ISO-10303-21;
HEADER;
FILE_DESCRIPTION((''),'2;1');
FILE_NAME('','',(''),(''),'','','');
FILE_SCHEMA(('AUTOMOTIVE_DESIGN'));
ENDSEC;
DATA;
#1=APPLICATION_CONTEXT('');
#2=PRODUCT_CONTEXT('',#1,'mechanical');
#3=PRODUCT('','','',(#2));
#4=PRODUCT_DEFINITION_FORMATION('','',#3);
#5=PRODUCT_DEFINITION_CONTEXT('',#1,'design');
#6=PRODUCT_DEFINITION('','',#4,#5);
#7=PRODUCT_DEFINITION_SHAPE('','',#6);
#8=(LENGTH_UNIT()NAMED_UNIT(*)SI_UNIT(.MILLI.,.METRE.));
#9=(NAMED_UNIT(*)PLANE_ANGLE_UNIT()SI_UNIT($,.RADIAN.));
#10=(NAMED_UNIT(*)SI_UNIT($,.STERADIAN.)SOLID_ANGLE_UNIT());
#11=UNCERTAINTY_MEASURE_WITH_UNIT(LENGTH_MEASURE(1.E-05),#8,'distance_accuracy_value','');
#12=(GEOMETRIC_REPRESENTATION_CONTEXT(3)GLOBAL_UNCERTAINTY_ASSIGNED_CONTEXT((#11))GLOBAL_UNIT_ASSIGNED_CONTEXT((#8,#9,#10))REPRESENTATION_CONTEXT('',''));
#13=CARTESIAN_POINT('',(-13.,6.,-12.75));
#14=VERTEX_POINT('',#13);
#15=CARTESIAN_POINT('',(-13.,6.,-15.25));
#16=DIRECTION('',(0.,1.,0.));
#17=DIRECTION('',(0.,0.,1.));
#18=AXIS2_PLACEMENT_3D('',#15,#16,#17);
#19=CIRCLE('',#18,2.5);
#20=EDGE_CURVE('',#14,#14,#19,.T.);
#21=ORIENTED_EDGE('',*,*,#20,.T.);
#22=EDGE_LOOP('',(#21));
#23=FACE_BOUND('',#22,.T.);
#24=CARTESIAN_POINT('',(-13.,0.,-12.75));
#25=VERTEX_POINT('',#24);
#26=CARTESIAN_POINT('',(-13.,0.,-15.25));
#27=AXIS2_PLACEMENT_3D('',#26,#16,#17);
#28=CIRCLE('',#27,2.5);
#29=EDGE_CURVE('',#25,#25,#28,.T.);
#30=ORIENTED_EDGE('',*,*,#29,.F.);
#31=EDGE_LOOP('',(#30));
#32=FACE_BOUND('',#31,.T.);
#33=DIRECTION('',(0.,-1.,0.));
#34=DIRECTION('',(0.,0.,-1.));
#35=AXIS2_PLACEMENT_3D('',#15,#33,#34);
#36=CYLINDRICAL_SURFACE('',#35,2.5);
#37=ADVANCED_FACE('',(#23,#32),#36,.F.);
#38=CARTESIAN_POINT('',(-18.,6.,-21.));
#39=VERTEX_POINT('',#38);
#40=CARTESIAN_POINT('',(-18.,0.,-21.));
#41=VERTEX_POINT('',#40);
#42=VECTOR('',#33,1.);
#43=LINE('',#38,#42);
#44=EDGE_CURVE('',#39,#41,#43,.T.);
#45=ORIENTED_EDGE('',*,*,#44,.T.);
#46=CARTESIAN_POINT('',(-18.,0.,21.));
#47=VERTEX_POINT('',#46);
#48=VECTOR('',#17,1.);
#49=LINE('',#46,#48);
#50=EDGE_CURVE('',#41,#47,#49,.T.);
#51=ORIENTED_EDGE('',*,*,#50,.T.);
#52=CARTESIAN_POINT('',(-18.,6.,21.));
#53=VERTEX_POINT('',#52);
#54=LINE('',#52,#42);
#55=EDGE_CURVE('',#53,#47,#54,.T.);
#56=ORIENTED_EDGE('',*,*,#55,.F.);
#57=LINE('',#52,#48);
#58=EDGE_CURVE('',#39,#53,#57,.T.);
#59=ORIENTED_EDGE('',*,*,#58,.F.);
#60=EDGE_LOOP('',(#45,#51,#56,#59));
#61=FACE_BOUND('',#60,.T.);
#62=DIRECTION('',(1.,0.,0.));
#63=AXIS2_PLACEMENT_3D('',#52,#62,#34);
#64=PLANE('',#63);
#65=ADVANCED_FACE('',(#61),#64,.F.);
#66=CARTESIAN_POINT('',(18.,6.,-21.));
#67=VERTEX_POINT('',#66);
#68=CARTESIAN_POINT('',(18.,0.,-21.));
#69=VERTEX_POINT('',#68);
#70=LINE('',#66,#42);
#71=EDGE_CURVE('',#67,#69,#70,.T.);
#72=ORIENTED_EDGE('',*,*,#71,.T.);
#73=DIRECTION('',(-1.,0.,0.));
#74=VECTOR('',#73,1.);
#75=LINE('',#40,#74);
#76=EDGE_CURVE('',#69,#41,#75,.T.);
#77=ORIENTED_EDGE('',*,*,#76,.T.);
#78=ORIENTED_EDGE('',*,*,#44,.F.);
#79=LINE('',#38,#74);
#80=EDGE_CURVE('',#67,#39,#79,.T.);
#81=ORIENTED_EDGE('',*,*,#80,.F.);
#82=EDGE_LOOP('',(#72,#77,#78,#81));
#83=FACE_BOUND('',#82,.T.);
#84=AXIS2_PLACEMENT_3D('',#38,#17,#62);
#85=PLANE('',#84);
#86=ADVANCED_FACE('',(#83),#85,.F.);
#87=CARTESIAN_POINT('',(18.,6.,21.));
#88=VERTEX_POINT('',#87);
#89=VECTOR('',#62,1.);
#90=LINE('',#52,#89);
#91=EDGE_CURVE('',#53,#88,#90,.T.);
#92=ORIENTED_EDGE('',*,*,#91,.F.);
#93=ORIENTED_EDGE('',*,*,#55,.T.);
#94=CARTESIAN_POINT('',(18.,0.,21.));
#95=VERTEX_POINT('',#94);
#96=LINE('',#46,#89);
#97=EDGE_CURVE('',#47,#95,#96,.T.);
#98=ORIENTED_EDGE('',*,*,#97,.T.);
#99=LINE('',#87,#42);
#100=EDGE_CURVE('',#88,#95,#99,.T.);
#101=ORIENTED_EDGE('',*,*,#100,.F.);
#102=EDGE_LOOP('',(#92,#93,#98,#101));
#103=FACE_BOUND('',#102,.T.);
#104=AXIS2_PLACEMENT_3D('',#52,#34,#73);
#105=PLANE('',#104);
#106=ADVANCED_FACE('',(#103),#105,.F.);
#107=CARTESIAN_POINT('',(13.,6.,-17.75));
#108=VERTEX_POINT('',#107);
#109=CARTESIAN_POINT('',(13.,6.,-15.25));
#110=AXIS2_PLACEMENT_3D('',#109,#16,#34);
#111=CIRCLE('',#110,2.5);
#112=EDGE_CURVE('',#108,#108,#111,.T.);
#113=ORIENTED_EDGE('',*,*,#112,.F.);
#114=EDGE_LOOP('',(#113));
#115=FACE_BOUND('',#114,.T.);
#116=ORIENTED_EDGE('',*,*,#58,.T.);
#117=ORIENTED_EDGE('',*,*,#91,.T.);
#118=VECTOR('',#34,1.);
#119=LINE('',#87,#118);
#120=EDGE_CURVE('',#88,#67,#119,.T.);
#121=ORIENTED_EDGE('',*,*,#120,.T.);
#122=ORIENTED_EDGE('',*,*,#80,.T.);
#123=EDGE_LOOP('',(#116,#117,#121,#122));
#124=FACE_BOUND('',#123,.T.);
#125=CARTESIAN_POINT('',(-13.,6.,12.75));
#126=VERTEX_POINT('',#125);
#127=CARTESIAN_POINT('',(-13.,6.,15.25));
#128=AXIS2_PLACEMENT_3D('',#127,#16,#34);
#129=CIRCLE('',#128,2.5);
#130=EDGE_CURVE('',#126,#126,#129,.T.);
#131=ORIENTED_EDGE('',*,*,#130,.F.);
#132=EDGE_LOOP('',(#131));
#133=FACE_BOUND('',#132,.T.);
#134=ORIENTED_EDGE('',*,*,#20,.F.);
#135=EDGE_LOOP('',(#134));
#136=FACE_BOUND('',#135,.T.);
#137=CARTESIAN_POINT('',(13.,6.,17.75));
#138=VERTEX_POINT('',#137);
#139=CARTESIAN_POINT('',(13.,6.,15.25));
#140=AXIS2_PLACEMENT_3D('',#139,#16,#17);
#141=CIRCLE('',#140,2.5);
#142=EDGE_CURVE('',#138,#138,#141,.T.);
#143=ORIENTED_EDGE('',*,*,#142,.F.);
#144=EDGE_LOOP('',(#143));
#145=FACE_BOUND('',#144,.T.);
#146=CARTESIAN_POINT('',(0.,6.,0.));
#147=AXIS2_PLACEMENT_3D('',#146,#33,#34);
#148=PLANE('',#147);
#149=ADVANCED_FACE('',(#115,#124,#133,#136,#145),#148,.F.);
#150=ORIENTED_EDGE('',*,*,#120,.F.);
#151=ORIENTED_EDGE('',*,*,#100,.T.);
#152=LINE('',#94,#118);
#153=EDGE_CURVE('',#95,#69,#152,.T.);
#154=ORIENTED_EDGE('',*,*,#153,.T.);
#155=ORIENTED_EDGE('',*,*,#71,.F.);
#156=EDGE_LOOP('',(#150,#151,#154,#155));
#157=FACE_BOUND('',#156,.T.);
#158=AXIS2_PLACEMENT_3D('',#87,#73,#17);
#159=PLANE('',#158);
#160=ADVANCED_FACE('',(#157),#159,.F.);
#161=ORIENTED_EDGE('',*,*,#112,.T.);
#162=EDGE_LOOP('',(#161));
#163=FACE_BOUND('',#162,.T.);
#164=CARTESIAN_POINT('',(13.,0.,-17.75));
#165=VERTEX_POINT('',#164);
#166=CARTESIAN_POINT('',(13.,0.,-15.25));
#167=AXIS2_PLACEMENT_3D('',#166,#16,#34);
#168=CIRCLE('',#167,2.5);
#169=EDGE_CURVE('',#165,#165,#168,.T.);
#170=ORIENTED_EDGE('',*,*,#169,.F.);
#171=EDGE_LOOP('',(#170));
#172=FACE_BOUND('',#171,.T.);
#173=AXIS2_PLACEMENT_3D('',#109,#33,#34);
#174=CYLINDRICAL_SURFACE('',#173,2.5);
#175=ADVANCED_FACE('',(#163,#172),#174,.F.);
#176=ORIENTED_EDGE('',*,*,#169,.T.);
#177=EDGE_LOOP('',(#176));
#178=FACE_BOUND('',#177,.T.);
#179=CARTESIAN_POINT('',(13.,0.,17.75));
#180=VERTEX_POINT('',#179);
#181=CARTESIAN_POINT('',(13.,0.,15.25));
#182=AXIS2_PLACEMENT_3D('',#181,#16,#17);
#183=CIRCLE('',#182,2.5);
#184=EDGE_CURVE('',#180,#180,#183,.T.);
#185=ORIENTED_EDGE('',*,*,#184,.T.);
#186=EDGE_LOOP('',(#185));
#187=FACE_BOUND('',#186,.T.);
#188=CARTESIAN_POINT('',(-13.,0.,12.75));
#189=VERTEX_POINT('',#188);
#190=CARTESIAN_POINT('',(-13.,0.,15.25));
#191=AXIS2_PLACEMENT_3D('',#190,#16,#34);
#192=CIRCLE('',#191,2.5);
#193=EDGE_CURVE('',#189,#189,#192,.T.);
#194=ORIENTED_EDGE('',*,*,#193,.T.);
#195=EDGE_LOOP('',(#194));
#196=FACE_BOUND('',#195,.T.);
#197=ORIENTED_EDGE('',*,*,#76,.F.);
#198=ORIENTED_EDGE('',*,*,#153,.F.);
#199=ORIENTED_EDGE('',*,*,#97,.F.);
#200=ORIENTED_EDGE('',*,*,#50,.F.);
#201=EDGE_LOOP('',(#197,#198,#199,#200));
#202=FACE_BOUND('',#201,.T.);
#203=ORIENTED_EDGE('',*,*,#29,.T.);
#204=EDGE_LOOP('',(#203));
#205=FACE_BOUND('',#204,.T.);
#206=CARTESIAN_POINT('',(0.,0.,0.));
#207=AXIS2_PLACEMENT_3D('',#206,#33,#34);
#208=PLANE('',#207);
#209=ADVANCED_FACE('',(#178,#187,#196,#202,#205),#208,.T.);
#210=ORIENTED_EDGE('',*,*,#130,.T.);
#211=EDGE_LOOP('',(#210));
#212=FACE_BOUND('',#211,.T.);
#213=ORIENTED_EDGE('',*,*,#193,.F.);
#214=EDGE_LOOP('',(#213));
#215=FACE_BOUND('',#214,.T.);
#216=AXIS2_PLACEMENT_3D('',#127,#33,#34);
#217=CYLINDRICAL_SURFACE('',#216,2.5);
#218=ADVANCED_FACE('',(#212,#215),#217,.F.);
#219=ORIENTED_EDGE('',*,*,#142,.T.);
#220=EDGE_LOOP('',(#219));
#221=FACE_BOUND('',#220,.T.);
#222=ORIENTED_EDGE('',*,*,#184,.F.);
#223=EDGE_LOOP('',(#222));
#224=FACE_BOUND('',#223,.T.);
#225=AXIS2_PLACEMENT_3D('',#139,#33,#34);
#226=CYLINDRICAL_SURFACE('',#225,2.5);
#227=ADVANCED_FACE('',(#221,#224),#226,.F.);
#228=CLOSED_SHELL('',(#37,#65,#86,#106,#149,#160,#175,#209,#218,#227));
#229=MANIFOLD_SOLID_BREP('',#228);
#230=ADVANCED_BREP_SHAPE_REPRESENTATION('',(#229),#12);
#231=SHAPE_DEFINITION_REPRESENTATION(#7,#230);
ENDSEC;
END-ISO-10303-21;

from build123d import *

# Parameters (mm, degrees)
SKETCH1_W           = 36
SKETCH1_H           = 42
SKETCH1_R           = 2.5
BOSS_EXTRUDE1_DEPTH = 6


with BuildPart() as part:
    # Sketch1 → Boss-Extrude1 (new body)
    with BuildSketch(Plane(origin=(0, 0, 0), x_dir=(1, 0, 0), z_dir=(0, 1, 0))):
        Rectangle(SKETCH1_W, SKETCH1_H)
        with Locations(Location((-13, 15.25, 0), (0, 0, 270))):
            Circle(SKETCH1_R, mode=Mode.SUBTRACT)
        with Locations(Location((-13, -15.25, 0), (0, 0, 90))):
            Circle(SKETCH1_R, mode=Mode.SUBTRACT)
        with Locations(Location((13, -15.25, 0), (0, 0, 270))):
            Circle(SKETCH1_R, mode=Mode.SUBTRACT)
        with Locations(Location((13, 15.25, 0), (0, 0, 90))):
            Circle(SKETCH1_R, mode=Mode.SUBTRACT)
    extrude(amount=BOSS_EXTRUDE1_DEPTH)


solid = part.part
